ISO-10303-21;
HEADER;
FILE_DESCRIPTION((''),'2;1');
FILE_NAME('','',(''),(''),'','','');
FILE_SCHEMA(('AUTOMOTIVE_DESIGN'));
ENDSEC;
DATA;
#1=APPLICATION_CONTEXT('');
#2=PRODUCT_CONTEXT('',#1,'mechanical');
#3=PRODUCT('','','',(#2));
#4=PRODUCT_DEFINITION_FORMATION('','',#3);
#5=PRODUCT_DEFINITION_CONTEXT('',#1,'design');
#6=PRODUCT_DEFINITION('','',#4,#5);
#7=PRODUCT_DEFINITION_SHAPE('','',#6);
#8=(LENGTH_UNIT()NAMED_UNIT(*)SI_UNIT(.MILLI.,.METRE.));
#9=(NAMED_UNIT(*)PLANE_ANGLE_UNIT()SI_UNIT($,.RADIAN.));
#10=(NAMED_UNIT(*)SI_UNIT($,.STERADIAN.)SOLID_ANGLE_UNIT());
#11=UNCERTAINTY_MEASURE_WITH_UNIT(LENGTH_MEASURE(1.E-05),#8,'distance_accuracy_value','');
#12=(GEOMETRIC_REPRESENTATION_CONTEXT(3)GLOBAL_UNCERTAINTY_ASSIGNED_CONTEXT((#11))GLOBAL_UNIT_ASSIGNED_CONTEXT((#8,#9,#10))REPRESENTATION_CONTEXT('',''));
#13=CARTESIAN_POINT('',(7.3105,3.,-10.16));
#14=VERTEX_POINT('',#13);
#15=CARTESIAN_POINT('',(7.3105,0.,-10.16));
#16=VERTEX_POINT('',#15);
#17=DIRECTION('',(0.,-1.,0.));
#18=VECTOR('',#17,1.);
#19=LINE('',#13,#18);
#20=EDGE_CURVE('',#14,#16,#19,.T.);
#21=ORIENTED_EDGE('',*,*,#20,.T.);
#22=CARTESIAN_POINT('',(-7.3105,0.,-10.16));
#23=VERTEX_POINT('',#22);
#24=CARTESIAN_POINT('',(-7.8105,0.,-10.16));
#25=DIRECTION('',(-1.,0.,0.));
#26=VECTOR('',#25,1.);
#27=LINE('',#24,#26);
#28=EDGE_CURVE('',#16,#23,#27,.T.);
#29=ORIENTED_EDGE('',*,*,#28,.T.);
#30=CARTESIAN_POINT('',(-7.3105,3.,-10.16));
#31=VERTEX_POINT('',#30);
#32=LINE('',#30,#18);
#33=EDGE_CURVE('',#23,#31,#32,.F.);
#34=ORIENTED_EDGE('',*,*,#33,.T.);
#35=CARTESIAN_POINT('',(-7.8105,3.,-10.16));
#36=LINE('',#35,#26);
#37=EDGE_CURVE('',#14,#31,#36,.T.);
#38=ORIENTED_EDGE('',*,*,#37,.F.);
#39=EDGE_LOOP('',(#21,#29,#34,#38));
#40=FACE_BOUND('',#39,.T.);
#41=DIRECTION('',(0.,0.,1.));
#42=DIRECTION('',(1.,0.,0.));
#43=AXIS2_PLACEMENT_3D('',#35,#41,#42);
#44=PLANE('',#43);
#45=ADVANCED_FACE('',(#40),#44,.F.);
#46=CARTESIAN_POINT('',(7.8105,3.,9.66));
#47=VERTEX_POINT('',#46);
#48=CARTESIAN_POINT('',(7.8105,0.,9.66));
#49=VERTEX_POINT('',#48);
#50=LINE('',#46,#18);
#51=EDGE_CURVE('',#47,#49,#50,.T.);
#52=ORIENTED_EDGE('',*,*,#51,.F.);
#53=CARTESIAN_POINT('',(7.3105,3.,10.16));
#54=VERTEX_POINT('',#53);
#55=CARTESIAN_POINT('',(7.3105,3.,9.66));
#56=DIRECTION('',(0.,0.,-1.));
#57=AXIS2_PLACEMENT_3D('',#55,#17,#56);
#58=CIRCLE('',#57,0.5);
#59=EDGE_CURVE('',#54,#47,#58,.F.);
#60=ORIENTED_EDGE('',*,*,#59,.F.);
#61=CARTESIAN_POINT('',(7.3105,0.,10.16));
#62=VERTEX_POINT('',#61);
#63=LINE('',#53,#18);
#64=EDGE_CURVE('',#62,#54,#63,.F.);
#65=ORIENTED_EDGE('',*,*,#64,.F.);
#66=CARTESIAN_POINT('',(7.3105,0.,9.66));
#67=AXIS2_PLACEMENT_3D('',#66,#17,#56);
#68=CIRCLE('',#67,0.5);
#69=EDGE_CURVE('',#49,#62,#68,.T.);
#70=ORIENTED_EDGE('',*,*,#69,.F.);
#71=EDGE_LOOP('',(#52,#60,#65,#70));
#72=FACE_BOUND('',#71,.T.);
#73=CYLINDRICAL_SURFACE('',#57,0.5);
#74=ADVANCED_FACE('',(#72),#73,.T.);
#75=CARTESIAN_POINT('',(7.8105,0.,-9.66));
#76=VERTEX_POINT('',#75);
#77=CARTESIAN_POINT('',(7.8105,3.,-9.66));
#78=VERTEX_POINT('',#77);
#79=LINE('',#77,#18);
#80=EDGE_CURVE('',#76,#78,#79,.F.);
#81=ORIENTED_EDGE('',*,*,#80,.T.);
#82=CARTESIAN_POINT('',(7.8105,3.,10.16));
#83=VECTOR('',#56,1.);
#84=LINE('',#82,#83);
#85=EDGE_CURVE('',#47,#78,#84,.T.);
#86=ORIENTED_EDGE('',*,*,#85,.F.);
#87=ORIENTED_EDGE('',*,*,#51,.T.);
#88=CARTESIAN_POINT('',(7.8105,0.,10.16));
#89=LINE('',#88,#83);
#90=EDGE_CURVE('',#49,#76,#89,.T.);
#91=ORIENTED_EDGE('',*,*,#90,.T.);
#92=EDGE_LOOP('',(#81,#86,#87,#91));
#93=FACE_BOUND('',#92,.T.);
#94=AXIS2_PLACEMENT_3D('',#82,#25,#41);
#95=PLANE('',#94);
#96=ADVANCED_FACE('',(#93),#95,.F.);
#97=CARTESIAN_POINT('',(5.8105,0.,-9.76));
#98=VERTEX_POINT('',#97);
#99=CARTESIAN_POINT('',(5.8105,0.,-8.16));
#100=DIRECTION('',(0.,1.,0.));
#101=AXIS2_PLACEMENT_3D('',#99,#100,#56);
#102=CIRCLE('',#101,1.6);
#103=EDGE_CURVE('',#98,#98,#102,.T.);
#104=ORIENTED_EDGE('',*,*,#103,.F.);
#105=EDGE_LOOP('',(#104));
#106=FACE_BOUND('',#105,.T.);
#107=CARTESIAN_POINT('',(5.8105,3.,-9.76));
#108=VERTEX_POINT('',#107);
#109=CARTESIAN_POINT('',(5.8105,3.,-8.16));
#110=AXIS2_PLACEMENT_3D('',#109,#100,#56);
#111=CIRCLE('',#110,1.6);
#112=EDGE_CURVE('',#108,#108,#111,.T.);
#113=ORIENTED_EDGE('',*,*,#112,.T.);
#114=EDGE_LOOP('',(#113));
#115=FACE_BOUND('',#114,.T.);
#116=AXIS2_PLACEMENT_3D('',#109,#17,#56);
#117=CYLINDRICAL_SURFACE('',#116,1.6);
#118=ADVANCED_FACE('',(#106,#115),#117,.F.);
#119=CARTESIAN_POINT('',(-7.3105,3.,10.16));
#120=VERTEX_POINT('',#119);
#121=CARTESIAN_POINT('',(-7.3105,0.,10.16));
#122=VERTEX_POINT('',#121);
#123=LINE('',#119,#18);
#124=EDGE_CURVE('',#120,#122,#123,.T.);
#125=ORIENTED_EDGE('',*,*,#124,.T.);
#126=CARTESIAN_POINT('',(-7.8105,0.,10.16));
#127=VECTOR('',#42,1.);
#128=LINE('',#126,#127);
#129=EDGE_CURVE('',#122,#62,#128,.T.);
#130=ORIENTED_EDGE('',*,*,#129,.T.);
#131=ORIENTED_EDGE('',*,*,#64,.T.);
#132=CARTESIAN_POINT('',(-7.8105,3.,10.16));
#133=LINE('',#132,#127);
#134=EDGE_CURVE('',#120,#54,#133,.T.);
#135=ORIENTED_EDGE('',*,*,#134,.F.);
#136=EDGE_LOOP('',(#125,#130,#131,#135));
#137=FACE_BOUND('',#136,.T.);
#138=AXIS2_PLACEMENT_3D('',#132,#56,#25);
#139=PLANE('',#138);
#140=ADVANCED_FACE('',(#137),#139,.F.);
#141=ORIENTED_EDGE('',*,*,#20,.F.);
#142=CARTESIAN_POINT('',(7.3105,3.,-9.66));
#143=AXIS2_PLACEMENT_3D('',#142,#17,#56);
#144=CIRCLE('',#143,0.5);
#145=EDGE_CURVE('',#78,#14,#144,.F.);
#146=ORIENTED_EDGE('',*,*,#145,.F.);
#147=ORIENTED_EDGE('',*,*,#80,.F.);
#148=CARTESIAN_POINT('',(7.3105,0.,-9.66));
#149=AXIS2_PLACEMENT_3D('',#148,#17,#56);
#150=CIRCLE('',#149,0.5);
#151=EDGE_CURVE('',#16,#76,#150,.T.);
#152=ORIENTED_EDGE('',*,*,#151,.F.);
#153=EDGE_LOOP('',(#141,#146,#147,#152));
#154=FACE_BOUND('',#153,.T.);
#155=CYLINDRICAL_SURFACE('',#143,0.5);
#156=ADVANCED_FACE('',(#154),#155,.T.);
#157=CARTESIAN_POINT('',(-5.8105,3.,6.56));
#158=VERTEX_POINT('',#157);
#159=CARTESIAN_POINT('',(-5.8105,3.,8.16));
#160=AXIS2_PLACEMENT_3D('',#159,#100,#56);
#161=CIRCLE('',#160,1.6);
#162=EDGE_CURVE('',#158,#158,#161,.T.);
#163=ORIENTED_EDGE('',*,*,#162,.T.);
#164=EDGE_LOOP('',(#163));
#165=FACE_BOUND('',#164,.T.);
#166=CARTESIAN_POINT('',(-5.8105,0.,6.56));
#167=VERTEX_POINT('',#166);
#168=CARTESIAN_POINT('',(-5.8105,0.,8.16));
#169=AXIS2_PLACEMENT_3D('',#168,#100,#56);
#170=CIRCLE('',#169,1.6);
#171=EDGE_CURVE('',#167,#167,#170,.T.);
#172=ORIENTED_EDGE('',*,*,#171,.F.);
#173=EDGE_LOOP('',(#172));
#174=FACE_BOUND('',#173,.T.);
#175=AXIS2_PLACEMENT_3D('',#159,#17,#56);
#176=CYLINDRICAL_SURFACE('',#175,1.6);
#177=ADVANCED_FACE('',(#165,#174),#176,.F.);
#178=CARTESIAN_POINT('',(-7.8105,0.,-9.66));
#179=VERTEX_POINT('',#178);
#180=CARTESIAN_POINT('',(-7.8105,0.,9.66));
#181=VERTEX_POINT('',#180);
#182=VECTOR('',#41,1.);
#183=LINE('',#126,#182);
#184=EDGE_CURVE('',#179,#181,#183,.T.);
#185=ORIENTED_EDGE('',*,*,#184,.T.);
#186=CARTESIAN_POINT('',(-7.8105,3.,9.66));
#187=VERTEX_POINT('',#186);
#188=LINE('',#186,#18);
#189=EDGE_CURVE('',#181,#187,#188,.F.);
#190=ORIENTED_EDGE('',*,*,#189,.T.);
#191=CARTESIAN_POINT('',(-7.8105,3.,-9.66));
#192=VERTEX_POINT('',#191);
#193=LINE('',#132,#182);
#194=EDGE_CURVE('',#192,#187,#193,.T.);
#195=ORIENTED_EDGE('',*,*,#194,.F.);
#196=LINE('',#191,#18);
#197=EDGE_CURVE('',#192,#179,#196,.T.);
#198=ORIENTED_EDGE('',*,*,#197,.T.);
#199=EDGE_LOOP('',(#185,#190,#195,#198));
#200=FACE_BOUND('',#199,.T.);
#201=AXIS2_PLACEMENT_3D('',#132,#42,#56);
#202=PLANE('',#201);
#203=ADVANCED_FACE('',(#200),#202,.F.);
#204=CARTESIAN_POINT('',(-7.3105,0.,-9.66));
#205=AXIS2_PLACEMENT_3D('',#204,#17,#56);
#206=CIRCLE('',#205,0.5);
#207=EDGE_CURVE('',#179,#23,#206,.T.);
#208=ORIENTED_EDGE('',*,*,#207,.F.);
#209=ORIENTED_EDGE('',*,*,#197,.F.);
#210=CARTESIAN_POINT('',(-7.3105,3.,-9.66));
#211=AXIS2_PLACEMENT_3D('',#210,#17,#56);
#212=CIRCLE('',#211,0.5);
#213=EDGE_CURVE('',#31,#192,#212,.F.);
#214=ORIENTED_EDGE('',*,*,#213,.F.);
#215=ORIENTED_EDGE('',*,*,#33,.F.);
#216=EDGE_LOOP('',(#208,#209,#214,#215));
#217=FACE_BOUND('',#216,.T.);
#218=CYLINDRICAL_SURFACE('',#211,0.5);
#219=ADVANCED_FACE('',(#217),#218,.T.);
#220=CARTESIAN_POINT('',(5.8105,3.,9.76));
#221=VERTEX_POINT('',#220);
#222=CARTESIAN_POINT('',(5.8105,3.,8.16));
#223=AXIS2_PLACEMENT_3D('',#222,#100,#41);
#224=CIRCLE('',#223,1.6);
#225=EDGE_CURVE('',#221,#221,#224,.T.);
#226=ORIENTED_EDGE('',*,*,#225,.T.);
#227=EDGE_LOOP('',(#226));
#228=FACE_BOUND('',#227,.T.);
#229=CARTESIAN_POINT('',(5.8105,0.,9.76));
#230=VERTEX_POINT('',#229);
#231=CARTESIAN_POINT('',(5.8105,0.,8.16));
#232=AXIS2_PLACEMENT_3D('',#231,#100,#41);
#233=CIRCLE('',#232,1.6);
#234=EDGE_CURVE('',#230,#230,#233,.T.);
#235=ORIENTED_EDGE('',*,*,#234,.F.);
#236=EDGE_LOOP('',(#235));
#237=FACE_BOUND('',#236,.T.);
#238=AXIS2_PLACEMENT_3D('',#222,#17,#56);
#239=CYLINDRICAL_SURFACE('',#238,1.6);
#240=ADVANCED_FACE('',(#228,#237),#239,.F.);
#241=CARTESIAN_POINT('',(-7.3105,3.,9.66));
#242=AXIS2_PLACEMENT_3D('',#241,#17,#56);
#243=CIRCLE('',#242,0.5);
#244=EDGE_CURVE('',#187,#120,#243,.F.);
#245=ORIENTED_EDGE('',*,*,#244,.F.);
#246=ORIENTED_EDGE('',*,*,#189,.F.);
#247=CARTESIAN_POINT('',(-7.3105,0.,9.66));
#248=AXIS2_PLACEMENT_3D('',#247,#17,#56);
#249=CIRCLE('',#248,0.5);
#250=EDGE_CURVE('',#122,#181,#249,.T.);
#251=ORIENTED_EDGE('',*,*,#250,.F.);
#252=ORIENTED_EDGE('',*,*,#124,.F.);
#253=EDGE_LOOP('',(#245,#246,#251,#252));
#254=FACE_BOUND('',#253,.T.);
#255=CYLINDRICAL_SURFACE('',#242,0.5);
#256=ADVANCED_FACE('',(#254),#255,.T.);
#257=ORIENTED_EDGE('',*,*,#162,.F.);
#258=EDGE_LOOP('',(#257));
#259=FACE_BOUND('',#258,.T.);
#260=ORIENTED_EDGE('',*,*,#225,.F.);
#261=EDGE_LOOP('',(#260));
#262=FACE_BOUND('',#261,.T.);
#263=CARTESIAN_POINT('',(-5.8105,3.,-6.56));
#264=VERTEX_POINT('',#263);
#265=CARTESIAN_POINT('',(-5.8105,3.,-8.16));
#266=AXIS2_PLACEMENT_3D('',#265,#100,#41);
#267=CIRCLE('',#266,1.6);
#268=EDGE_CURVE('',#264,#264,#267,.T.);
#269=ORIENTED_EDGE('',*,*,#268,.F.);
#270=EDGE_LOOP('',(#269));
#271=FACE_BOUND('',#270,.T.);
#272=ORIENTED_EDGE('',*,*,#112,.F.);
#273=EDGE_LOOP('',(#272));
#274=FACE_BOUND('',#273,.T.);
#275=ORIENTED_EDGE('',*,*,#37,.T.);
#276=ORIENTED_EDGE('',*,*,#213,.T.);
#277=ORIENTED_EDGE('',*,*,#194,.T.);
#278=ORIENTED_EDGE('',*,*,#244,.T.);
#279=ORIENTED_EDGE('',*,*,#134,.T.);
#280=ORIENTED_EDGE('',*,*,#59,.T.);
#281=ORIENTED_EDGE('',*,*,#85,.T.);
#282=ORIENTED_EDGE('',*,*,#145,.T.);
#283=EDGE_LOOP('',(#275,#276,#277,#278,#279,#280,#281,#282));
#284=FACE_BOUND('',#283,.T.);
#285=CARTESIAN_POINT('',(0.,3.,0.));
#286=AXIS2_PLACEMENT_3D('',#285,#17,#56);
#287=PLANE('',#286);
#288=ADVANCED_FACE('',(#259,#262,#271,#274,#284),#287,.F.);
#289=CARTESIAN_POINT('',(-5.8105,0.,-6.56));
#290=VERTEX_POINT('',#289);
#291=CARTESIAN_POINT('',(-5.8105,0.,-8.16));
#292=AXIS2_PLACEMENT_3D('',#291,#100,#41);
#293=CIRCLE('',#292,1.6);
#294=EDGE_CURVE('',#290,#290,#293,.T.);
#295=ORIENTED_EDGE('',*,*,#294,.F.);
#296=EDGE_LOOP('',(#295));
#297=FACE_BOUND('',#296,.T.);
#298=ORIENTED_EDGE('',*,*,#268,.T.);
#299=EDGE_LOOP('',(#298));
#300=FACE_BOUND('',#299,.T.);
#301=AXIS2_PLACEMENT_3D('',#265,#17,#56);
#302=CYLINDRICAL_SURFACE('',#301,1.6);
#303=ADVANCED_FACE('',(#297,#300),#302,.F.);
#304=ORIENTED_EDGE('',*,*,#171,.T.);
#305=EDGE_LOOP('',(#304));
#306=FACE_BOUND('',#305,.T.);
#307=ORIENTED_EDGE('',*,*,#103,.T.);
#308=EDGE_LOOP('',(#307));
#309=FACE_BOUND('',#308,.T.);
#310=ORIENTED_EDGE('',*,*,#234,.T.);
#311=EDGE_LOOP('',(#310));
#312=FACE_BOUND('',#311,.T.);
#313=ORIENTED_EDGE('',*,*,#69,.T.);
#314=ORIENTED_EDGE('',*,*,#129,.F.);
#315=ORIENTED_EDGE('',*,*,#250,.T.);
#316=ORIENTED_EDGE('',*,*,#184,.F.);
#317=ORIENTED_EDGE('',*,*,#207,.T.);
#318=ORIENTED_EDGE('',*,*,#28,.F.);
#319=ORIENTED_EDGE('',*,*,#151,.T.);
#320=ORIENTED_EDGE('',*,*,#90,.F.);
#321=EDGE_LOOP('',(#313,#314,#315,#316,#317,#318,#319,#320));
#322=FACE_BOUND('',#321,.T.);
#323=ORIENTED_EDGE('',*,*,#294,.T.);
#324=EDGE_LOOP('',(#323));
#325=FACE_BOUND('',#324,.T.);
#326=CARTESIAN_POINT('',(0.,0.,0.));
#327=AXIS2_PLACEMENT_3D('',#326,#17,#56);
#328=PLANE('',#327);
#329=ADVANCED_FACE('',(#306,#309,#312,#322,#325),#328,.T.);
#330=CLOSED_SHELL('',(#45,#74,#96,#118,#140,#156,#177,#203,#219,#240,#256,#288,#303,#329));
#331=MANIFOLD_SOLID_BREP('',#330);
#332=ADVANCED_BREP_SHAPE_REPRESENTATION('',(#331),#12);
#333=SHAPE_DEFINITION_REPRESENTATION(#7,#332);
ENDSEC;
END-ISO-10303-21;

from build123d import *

# Parameters (mm, degrees)
SKETCH_1_W      = 15.621
SKETCH_1_H      = 20.32
SKETCH_1_R      = 1.6
EXTRUDE_1_DEPTH = 3
FILLET_1_R      = 0.5


with BuildPart() as part:
    # 草图1 → 凸台-拉伸1 (new body)
    with BuildSketch(Plane(origin=(0, 0, 0), x_dir=(1, 0, 0), z_dir=(0, 1, 0))):
        Rectangle(SKETCH_1_W, SKETCH_1_H)
        with Locations(Location((5.8105, -8.16, 0), (0, 0, 270))):
            Circle(SKETCH_1_R, mode=Mode.SUBTRACT)
        with Locations(Location((-5.8105, -8.16, 0), (0, 0, 90))):
            Circle(SKETCH_1_R, mode=Mode.SUBTRACT)
        with Locations(Location((5.8105, 8.16, 0), (0, 0, 90))):
            Circle(SKETCH_1_R, mode=Mode.SUBTRACT)
        with Locations(Location((-5.8105, 8.16, 0), (0, 0, 270))):
            Circle(SKETCH_1_R, mode=Mode.SUBTRACT)
    extrude(amount=EXTRUDE_1_DEPTH)

    # 圆角1
    fillet_1_edges = [part.edges().sort_by_distance(p)[0] for p in [
        (7.8105, 1.5, 10.16),
        (-7.8105, 1.5, 10.16),
        (-7.8105, 1.5, -10.16),
        (7.8105, 1.5, -10.16),
    ]]
    fillet(fillet_1_edges, radius=FILLET_1_R)


solid = part.part
